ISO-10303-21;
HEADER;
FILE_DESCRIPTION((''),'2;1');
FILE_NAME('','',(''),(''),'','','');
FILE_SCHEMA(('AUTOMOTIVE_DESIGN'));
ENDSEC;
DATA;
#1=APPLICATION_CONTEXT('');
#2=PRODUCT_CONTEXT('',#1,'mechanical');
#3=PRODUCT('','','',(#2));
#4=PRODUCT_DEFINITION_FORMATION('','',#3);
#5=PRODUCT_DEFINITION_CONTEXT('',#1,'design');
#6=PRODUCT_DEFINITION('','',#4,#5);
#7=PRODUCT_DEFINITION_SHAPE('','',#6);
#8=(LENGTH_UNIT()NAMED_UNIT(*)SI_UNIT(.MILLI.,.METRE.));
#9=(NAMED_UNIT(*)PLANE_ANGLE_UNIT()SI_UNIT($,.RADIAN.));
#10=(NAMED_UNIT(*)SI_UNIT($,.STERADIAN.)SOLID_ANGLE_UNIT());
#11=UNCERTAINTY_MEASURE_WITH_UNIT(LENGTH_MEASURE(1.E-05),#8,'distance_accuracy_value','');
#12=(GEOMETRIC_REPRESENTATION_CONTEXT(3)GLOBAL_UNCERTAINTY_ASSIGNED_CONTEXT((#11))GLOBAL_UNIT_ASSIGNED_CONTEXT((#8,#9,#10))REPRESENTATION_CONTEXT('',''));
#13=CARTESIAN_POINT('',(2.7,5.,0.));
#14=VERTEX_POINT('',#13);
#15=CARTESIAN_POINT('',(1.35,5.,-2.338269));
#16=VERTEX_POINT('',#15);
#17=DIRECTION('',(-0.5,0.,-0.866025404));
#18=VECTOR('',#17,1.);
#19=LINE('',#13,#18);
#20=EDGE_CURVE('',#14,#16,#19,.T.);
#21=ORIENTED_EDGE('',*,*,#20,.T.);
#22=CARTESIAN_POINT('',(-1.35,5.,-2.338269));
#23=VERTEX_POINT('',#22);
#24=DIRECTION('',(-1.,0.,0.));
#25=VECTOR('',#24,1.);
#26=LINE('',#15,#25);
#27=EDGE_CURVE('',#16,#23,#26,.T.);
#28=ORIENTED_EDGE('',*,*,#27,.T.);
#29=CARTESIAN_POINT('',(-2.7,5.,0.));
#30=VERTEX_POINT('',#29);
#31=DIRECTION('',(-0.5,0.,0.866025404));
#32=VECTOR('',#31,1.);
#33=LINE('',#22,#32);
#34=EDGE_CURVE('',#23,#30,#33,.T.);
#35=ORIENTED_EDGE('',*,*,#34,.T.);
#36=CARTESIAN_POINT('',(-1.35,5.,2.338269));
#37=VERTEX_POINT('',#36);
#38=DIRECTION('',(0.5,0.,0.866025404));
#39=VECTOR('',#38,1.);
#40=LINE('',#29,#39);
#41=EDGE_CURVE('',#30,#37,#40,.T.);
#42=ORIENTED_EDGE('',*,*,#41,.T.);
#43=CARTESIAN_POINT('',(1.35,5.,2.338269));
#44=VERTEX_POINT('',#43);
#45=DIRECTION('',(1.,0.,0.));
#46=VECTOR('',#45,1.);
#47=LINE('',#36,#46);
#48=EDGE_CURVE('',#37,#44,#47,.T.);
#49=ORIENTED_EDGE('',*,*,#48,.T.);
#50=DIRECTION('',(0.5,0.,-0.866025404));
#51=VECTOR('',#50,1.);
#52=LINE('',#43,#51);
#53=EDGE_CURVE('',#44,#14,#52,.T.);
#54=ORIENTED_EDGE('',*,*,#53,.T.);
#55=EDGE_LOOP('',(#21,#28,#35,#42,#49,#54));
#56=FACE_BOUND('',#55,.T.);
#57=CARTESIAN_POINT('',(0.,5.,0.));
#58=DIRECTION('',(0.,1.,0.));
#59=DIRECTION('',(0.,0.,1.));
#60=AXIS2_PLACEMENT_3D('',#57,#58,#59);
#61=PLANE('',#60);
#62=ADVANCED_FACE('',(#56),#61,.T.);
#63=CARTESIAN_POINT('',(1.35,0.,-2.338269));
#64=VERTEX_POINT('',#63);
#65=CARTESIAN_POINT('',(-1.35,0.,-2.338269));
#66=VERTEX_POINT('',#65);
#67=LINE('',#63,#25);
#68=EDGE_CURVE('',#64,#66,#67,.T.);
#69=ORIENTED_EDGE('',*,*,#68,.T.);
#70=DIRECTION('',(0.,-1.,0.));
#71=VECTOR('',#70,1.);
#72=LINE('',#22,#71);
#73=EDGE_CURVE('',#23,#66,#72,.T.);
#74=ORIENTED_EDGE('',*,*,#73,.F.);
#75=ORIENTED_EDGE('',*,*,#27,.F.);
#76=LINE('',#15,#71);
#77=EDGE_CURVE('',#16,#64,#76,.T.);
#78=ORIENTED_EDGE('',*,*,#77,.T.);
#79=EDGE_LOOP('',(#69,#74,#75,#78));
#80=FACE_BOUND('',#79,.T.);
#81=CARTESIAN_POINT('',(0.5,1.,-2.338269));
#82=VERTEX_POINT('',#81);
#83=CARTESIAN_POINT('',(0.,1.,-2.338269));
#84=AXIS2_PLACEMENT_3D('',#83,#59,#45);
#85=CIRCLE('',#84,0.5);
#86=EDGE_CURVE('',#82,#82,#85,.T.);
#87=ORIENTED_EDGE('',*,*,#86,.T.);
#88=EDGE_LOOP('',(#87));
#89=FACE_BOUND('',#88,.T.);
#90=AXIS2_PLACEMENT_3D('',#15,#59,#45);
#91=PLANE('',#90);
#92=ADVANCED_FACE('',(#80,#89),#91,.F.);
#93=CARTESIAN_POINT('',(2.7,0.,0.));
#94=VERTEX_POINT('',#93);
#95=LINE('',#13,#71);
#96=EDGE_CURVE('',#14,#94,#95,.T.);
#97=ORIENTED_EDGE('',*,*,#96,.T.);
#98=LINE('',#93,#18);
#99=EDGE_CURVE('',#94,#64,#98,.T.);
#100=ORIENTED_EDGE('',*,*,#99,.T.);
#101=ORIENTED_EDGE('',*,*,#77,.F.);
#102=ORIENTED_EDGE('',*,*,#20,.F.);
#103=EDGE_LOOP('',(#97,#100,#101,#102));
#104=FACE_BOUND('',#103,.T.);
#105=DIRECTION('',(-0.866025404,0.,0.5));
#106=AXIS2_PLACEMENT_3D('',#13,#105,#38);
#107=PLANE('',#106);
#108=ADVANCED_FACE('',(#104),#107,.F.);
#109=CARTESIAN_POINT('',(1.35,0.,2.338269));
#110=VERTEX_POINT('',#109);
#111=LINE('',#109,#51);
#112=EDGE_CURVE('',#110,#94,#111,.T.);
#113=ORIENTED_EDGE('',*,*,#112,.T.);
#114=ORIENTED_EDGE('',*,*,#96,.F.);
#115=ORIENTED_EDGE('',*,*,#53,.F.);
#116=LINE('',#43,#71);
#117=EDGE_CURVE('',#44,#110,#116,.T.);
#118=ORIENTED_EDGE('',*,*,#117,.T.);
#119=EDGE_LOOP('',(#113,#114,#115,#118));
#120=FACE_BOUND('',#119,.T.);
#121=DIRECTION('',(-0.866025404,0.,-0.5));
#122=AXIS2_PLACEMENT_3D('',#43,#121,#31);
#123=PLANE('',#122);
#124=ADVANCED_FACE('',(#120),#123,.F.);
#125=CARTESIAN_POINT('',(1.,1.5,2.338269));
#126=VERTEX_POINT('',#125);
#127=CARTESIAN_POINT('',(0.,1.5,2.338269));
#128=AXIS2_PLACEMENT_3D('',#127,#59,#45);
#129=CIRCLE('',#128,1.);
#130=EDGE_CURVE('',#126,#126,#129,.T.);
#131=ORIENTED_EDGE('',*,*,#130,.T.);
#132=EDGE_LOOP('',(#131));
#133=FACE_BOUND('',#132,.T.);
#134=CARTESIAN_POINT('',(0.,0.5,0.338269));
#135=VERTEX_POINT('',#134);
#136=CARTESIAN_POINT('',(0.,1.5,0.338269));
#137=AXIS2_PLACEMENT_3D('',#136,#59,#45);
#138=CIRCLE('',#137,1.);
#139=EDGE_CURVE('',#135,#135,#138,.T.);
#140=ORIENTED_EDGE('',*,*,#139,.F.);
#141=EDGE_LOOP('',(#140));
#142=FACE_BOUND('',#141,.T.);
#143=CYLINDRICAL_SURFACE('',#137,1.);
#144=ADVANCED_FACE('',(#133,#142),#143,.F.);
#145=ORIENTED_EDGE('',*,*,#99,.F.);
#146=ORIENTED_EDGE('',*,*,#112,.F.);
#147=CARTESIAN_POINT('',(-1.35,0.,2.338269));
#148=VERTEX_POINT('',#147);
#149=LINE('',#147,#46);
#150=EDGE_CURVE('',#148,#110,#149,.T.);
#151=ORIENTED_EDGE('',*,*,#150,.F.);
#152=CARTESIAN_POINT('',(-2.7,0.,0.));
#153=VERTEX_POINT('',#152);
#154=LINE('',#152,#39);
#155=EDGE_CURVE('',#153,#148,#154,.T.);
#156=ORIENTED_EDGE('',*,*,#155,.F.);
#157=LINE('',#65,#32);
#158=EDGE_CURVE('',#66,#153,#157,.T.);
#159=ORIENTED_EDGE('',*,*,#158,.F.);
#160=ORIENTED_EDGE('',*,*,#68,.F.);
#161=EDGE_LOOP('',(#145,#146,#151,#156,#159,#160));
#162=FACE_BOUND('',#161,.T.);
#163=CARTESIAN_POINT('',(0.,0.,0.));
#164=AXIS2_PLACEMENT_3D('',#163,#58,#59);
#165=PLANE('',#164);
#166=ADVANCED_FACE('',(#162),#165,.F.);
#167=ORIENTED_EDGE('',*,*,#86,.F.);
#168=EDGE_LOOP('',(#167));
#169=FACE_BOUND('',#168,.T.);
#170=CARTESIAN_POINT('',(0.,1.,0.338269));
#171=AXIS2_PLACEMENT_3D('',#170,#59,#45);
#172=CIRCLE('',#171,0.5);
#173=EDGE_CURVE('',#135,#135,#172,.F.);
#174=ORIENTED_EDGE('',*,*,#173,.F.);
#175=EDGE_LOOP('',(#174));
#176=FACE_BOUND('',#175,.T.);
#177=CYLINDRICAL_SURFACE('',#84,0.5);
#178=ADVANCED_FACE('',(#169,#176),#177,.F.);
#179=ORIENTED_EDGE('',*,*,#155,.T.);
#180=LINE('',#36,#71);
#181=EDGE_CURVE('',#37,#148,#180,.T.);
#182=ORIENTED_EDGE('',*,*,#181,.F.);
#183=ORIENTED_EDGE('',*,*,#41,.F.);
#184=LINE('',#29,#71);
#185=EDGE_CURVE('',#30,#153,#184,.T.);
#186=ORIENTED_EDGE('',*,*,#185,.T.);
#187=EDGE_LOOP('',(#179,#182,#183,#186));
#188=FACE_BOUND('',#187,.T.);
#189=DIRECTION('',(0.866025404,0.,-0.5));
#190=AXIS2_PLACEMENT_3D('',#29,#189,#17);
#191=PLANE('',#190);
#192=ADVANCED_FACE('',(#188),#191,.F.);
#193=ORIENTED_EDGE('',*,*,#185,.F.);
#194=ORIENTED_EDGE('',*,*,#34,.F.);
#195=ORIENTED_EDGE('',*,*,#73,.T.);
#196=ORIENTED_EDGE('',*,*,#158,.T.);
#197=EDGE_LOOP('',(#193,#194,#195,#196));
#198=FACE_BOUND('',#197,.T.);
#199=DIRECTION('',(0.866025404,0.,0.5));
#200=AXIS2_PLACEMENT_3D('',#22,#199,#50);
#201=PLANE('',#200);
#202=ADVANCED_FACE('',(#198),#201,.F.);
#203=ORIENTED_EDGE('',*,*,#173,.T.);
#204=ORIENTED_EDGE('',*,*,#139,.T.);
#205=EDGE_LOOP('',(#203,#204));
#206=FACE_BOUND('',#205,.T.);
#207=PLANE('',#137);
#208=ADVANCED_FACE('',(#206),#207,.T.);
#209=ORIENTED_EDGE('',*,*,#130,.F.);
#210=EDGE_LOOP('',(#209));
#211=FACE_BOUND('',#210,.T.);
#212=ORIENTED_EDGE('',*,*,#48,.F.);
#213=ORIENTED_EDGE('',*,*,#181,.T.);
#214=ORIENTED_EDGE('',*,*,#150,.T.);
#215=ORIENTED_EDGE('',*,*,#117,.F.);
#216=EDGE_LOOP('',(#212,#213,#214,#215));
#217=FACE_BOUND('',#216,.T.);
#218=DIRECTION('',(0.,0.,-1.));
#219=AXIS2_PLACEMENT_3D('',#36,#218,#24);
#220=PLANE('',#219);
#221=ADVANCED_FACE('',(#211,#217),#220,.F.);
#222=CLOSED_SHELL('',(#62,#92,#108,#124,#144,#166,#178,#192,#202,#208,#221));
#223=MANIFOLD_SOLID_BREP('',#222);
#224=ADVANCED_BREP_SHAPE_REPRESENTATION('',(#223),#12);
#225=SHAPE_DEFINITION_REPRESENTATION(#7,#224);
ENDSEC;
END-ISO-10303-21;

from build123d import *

# Parameters (mm, degrees)
SALIENTE_EXTRUIR1_DEPTH = 5
CROQUIS2_R              = 0.5
CORTAR_EXTRUIR1_DEPTH   = 5.67653718
CROQUIS3_R              = 1
CORTAR_EXTRUIR2_DEPTH   = 2


with BuildPart() as part:
    # Croquis1 → Saliente-Extruir1 (new body)
    with BuildSketch(Plane(origin=(0, 0, 0), x_dir=(1, 0, 0), z_dir=(0, 1, 0))):
        Polygon((2.7, 0), (1.35, 2.33826859), (-1.35, 2.33826859), (-2.7, 0), (-1.35, -2.33826859), (1.35, -2.33826859), align=None)
    extrude(amount=SALIENTE_EXTRUIR1_DEPTH)

    # Croquis2 → Cortar-Extruir1 (cut, through all)
    with BuildSketch(Plane.XY.offset(2.33826859)):
        with Locations((0, 1)):
            Circle(CROQUIS2_R)
    extrude(amount=-CORTAR_EXTRUIR1_DEPTH, mode=Mode.SUBTRACT)

    # Croquis3 → Cortar-Extruir2 (cut)
    with BuildSketch(Plane.XY.offset(2.33826859)):
        with Locations((0, 1.5)):
            Circle(CROQUIS3_R)
    extrude(amount=-CORTAR_EXTRUIR2_DEPTH, mode=Mode.SUBTRACT)


solid = part.part
